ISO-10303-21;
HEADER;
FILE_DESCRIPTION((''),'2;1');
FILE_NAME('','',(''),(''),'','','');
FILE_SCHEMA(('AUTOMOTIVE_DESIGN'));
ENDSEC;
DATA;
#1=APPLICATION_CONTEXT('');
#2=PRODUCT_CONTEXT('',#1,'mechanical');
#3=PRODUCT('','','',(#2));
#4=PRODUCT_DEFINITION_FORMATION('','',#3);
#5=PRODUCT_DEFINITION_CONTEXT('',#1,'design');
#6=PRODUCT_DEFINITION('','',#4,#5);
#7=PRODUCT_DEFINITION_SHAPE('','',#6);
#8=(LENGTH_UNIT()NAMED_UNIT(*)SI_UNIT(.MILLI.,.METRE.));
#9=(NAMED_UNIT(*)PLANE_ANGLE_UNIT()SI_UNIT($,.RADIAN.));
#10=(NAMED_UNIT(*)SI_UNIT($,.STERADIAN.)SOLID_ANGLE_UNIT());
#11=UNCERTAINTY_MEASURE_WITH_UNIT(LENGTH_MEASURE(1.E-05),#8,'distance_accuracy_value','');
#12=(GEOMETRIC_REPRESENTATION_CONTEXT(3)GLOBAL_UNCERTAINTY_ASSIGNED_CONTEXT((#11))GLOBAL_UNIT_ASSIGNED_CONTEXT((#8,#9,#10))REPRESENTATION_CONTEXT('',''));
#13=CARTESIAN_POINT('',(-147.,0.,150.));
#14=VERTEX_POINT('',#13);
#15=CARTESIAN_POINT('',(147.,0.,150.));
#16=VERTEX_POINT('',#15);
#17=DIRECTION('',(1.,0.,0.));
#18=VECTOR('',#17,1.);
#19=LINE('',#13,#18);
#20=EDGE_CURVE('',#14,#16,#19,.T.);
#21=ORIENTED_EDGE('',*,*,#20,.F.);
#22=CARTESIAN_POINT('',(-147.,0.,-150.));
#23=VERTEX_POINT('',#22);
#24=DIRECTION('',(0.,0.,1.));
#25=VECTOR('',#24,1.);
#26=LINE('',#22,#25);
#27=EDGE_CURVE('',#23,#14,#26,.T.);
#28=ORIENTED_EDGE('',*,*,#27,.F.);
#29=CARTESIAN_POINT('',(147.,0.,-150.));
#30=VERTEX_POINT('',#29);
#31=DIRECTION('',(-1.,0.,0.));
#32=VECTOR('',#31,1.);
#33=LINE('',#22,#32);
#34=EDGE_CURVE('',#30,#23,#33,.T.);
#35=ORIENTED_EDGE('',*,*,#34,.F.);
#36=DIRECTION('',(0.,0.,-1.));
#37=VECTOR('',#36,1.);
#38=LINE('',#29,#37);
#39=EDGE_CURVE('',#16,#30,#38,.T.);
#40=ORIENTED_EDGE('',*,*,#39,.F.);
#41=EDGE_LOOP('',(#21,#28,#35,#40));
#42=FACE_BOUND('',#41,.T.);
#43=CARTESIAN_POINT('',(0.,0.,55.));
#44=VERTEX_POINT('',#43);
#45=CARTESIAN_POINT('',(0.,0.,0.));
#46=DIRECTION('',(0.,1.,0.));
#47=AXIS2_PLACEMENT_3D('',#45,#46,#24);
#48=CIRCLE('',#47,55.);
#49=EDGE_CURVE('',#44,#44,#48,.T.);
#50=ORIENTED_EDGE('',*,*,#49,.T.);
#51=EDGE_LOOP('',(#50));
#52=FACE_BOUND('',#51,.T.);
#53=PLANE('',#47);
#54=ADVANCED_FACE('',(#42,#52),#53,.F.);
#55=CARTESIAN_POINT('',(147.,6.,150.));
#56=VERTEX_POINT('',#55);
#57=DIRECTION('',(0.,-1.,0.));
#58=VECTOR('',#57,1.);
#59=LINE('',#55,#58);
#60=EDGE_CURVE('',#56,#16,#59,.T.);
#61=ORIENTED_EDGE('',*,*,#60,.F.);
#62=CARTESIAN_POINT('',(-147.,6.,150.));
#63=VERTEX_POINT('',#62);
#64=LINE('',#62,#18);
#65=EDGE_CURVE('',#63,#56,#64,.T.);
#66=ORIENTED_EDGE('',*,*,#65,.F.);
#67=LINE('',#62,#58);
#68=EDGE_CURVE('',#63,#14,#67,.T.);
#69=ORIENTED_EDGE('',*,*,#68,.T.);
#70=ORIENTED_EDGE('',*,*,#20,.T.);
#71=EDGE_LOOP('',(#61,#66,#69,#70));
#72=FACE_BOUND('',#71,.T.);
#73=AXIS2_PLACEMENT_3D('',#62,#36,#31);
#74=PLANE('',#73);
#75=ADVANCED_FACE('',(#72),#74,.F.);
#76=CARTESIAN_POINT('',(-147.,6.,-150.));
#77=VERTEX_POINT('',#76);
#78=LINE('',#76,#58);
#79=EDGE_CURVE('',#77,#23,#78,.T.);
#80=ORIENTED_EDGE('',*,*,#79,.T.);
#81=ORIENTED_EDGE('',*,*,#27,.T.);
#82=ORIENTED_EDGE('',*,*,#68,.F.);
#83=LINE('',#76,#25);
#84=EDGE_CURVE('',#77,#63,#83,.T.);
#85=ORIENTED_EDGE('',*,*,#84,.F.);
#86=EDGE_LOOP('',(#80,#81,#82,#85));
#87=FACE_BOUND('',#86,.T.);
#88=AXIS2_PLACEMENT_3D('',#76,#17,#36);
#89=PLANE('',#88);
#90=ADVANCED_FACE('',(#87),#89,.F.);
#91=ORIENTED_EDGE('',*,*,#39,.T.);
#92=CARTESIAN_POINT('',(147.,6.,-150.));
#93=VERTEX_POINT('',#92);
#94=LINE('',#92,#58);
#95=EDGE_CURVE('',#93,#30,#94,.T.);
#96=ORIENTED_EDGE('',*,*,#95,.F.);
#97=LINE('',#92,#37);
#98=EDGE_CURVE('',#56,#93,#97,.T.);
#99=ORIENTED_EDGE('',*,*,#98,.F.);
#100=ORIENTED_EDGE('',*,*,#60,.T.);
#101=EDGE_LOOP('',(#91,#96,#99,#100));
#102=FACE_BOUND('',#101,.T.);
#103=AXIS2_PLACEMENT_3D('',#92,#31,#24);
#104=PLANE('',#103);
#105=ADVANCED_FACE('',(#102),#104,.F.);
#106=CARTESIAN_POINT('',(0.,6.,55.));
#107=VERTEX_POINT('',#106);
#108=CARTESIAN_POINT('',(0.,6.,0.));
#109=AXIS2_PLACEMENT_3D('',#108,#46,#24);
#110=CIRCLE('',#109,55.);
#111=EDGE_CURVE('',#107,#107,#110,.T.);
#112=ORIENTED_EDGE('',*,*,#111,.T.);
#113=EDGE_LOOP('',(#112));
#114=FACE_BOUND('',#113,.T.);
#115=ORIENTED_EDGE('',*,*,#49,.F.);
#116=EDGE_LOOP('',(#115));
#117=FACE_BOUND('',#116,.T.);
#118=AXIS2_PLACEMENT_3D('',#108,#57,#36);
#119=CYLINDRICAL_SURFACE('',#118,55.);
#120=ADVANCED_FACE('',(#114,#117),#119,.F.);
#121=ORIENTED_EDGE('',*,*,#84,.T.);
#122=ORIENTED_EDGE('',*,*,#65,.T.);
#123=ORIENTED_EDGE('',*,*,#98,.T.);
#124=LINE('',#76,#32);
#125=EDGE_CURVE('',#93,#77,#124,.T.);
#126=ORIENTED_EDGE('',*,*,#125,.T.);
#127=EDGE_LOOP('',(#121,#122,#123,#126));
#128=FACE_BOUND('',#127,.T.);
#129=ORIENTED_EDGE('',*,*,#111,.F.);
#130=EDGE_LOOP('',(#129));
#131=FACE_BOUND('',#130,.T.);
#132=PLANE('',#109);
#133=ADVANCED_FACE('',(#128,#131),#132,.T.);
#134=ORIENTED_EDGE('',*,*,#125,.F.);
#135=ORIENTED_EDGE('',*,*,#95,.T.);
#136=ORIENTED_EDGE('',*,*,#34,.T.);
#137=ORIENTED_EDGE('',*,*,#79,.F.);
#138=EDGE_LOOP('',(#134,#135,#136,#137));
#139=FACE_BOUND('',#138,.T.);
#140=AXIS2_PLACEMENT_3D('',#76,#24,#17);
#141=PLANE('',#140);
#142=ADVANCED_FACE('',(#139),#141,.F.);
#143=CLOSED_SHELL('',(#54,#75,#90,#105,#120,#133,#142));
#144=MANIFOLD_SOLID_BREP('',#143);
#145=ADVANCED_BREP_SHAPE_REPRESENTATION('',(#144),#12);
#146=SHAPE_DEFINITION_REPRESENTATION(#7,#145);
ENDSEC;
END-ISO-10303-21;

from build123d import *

# Parameters (mm, degrees)
SKETCH1_W           = 294
SKETCH1_H           = 300
SKETCH1_R           = 55
BOSS_EXTRUDE1_DEPTH = 6


with BuildPart() as part:
    # Sketch1 → Boss-Extrude1 (new body)
    with BuildSketch(Plane(origin=(0, 0, 0), x_dir=(1, 0, 0), z_dir=(0, 1, 0))):
        Rectangle(SKETCH1_W, SKETCH1_H)
        with Locations(Location((0, 0, 0), (0, 0, 270))):
            Circle(SKETCH1_R, mode=Mode.SUBTRACT)
    extrude(amount=BOSS_EXTRUDE1_DEPTH)


solid = part.part
